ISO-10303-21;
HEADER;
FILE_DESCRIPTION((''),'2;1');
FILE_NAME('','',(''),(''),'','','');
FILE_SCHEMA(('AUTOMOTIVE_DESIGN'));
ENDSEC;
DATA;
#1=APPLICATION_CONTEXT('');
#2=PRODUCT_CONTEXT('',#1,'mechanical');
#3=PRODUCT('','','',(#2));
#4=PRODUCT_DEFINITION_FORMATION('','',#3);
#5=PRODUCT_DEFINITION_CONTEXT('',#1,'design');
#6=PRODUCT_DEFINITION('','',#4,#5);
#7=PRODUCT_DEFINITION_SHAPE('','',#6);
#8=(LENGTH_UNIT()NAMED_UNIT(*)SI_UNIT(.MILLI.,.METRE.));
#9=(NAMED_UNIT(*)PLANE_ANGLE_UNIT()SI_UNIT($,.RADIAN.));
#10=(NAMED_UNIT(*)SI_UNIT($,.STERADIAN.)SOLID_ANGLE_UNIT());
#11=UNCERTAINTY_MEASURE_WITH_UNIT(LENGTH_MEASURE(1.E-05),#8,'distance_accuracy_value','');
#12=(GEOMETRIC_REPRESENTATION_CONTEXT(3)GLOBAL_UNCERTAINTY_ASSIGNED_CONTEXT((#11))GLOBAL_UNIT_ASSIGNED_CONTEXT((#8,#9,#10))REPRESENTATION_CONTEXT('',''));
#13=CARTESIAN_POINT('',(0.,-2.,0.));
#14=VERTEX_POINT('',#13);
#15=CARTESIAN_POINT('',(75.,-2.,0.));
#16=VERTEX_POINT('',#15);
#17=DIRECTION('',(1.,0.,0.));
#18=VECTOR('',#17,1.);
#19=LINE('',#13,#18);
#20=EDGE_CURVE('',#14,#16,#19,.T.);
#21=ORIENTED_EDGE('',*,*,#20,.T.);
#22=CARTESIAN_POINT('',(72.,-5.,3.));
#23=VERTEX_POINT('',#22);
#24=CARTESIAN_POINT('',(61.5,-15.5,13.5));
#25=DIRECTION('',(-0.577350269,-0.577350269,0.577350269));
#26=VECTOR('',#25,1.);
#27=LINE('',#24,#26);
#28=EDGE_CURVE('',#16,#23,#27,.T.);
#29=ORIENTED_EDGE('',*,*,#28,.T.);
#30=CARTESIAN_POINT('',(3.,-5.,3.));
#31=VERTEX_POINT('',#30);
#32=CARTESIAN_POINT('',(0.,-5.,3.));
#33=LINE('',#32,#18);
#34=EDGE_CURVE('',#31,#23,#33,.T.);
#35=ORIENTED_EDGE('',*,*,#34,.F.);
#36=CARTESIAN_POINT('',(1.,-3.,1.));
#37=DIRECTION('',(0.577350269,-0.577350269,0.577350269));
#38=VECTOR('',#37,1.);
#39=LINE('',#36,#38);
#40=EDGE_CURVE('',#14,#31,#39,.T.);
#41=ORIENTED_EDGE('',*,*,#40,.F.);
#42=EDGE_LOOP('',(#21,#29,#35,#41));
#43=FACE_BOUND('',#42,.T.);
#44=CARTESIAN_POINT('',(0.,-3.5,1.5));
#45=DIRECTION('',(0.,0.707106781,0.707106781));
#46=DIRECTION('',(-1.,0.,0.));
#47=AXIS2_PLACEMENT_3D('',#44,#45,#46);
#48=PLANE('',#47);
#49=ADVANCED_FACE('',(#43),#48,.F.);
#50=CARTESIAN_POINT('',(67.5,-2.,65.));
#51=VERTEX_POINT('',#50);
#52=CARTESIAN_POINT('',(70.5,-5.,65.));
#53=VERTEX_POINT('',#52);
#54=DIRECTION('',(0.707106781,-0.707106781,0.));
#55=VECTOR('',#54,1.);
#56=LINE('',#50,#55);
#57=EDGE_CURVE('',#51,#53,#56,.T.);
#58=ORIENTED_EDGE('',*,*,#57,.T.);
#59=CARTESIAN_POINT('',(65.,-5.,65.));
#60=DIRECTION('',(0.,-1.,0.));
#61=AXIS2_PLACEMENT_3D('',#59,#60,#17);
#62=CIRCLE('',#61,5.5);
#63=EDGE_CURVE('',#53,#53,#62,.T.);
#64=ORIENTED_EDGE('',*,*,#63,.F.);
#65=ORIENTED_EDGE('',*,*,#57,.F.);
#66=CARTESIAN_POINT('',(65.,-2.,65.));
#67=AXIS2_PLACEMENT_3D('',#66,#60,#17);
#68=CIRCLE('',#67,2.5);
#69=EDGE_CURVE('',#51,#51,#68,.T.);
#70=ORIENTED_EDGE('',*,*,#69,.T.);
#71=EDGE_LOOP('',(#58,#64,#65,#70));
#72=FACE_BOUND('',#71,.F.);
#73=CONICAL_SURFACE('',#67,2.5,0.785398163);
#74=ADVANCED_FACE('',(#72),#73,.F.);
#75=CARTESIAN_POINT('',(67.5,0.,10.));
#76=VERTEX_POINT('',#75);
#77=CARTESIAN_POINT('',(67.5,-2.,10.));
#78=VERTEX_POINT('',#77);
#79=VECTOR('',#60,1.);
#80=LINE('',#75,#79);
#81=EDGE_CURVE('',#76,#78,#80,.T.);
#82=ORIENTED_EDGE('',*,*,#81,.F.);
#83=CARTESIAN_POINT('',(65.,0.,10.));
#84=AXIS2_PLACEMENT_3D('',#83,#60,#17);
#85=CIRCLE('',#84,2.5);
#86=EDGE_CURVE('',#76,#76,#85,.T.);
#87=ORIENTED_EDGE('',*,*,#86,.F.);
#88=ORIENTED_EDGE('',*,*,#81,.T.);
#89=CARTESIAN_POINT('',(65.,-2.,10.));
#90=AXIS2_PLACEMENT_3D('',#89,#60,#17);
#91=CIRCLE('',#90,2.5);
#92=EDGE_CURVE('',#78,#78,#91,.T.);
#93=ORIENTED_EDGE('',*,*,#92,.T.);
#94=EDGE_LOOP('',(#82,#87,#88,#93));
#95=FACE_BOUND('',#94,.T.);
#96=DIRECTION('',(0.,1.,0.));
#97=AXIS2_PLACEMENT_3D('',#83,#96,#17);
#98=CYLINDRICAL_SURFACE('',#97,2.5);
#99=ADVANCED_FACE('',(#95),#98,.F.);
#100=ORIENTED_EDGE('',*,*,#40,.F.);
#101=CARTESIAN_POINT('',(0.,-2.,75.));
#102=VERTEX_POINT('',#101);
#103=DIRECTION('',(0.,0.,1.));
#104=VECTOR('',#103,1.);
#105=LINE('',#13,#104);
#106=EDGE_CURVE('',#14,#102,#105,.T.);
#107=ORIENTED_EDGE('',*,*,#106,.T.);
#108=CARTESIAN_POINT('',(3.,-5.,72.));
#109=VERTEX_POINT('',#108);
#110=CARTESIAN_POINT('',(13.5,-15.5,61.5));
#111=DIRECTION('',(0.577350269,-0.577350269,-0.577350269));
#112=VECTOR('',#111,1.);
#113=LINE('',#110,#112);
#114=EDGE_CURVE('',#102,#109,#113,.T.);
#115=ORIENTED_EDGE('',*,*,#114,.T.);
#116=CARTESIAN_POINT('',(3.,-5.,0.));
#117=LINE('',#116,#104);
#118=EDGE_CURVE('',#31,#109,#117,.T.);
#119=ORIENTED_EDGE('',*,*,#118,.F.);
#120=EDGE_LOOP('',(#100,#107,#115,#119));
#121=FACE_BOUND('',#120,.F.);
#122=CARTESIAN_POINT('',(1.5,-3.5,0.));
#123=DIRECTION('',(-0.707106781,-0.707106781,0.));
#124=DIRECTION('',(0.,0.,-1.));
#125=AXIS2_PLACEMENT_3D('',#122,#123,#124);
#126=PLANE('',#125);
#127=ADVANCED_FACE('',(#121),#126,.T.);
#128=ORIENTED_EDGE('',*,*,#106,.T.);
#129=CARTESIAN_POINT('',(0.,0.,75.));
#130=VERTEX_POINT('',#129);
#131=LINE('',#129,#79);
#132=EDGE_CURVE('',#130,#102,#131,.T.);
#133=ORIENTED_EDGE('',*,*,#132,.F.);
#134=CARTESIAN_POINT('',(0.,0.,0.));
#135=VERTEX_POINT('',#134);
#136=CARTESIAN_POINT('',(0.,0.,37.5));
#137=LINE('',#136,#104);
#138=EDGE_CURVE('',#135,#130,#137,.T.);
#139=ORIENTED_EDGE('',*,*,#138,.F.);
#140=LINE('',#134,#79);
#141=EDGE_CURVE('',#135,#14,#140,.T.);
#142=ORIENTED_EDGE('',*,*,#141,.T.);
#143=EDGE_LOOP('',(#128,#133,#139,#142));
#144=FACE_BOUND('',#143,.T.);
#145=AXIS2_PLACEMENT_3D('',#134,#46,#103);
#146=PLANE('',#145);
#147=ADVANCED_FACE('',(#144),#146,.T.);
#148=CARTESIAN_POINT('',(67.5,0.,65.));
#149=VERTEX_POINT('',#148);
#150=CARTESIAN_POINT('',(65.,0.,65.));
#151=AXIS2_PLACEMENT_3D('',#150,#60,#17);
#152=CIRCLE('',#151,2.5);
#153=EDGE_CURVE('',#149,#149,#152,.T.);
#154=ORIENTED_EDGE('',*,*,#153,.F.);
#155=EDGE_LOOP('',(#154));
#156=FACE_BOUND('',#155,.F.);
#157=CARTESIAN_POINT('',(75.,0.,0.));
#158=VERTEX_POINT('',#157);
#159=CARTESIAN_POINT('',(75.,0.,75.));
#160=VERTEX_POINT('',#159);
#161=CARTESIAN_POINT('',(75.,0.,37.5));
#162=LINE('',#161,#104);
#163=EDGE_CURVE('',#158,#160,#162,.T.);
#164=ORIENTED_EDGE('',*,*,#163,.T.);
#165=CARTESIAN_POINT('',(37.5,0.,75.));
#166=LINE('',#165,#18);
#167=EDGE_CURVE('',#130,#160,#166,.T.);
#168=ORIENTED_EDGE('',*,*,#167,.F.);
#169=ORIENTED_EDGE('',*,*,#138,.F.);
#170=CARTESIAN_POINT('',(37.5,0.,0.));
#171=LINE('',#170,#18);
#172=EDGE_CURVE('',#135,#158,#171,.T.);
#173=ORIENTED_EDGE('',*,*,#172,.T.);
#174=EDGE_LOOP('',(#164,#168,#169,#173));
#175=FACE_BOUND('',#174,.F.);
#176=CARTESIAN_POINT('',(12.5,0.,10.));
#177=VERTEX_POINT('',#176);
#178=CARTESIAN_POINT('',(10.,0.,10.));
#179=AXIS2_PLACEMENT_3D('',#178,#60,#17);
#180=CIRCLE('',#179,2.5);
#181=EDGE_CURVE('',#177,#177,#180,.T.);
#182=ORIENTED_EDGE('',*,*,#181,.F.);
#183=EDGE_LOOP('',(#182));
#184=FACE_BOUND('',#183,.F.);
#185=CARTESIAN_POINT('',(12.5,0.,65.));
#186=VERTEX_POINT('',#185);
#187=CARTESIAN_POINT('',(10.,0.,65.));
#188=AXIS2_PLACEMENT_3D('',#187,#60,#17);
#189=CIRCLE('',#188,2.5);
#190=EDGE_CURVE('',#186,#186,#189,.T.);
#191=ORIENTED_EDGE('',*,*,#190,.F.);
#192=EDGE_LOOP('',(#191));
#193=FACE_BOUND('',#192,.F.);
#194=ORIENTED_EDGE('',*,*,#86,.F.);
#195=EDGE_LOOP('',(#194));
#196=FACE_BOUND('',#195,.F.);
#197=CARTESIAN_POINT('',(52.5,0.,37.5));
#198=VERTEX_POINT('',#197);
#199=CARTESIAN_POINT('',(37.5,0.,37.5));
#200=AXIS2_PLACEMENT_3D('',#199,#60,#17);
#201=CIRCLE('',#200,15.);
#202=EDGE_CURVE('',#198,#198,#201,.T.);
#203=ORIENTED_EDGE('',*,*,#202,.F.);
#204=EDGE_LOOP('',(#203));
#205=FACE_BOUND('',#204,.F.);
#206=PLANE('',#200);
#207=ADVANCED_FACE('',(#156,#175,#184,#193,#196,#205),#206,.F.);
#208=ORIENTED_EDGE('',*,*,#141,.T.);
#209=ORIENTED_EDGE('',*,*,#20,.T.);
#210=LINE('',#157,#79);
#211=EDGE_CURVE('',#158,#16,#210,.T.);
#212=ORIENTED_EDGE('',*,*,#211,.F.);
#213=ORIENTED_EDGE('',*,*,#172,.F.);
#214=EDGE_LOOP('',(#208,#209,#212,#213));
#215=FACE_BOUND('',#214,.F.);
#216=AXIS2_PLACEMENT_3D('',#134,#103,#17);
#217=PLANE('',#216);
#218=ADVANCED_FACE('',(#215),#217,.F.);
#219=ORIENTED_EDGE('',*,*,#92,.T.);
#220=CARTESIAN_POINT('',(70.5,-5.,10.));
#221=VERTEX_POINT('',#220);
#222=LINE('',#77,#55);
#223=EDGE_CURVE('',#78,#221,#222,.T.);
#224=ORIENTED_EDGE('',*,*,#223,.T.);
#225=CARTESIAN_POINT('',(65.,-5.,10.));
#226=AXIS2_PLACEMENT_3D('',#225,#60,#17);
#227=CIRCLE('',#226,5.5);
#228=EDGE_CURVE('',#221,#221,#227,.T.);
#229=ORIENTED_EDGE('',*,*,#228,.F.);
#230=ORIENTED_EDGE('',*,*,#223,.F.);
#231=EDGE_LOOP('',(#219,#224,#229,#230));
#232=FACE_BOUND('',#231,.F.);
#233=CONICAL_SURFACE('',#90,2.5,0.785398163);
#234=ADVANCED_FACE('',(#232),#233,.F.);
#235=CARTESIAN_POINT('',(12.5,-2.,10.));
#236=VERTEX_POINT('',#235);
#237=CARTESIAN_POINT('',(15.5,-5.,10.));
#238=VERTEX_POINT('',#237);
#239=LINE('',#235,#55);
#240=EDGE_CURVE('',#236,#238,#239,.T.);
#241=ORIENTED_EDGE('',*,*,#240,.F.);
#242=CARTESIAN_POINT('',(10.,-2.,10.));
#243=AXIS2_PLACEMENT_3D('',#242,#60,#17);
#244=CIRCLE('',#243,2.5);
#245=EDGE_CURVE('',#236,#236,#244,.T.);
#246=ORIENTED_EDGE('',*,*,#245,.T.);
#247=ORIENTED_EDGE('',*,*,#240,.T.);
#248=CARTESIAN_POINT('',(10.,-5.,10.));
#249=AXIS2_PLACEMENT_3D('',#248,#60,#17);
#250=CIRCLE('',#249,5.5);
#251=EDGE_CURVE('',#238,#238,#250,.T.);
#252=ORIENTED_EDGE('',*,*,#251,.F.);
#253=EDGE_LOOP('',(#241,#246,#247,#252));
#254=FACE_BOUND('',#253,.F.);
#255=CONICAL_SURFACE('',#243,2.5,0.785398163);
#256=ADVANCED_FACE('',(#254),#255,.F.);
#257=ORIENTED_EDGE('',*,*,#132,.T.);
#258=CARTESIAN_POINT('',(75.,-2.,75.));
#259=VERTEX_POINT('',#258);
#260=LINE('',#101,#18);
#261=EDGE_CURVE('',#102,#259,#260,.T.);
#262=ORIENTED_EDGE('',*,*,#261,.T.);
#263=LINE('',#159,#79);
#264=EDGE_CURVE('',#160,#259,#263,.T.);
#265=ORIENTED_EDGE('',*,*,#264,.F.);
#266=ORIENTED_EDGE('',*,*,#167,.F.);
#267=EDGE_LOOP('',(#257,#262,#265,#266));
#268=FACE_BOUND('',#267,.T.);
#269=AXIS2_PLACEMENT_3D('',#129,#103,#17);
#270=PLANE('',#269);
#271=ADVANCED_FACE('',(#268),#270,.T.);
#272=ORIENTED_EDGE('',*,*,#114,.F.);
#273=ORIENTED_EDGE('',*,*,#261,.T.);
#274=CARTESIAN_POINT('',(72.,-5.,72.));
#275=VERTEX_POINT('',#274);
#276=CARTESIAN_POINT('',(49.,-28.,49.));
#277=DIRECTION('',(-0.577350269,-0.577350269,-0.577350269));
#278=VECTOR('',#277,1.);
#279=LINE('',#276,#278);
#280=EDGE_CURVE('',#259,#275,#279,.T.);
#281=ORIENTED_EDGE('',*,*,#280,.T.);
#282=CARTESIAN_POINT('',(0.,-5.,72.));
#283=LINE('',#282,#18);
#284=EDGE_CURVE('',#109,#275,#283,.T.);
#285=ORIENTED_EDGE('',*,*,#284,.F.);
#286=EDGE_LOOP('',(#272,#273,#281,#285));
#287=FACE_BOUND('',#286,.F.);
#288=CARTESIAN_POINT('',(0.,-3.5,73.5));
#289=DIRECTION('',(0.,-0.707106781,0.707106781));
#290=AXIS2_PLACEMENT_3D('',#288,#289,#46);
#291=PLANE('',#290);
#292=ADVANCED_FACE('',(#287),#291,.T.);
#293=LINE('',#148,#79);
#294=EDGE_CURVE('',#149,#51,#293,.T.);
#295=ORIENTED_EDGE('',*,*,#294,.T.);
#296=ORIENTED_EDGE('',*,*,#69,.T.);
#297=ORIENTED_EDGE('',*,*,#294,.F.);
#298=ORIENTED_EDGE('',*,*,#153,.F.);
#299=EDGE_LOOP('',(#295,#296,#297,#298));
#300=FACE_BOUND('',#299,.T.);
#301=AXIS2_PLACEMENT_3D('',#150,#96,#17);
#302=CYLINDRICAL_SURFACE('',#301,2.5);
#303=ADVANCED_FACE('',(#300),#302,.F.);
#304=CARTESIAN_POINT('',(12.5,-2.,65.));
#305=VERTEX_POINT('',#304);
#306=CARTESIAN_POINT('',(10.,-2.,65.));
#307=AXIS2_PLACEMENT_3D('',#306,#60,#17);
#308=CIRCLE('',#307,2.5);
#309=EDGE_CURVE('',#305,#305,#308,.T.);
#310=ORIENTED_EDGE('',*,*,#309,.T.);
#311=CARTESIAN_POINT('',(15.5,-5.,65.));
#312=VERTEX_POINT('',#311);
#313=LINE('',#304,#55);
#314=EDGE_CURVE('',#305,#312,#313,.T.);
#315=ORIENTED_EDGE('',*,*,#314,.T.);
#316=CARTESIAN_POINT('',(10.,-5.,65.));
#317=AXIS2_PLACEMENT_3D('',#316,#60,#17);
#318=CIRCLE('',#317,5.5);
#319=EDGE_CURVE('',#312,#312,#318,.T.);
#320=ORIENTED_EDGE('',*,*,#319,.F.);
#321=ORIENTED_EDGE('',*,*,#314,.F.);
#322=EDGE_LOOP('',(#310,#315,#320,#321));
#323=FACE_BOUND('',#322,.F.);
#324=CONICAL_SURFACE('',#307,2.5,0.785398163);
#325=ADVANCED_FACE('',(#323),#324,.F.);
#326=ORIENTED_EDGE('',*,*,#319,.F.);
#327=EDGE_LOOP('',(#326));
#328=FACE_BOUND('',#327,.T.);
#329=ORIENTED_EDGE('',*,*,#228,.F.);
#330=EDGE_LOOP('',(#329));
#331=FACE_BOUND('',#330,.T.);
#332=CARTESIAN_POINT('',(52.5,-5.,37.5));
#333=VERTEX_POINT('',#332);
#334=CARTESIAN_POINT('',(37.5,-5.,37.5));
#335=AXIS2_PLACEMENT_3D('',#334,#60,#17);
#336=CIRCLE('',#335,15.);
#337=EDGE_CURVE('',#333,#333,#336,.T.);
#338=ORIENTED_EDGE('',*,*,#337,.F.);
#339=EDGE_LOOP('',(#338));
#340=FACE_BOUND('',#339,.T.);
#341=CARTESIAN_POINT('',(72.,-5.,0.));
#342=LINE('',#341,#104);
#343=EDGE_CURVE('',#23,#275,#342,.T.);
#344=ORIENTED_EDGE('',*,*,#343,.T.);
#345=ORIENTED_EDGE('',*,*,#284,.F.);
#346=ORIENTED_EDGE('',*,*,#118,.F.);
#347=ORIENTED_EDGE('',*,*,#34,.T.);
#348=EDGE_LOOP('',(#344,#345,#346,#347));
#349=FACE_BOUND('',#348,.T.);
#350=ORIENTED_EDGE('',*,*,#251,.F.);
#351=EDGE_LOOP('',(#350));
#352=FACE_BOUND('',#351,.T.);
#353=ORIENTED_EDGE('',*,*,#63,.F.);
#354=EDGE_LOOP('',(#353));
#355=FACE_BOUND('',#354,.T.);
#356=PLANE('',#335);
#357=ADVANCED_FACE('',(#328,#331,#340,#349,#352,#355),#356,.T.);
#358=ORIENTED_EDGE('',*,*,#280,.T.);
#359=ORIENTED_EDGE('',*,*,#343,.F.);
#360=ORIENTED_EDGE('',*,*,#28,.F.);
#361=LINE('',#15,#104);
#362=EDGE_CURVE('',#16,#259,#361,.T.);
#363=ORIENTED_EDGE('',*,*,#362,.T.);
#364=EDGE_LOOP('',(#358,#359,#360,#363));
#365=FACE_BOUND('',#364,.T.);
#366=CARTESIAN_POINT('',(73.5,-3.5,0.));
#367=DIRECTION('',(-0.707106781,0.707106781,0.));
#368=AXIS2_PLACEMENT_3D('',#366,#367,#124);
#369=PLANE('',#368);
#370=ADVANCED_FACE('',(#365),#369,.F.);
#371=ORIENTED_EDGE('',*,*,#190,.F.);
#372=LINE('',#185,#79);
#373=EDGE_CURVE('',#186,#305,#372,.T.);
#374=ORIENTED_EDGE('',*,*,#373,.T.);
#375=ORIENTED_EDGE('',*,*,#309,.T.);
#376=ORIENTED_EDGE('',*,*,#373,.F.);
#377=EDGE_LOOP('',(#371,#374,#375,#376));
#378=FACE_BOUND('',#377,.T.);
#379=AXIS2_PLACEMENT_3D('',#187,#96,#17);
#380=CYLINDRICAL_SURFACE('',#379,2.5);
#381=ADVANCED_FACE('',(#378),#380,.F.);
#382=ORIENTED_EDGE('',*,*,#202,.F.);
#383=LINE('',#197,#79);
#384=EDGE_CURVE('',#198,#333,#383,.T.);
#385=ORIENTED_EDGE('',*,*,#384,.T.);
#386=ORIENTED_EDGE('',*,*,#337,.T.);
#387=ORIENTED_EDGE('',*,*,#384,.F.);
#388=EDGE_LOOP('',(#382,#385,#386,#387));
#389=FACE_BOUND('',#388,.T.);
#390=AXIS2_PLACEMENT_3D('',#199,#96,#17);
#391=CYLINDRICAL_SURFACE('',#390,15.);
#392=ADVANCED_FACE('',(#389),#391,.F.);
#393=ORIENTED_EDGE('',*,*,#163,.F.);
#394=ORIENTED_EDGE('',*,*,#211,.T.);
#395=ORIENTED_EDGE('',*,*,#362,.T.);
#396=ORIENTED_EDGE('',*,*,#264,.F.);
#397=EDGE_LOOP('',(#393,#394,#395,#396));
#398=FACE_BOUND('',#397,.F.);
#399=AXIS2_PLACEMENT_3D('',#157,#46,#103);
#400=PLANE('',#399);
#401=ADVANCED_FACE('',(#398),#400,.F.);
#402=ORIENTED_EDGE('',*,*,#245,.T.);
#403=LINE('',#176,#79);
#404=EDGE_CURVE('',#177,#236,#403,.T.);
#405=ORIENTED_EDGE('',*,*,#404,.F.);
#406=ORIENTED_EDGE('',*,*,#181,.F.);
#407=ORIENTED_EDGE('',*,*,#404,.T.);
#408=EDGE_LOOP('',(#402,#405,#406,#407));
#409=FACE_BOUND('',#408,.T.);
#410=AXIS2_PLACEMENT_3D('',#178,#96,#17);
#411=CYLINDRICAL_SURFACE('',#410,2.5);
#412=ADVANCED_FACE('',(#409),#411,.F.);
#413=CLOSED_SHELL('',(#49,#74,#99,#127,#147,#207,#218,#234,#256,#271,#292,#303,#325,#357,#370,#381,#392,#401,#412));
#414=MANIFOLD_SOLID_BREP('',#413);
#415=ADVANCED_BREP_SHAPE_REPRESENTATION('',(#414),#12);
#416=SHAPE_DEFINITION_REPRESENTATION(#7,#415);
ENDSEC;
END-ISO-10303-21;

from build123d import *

# Parameters (mm, degrees)
F0_W     = 75
F0_H     = 75
F0_R     = 2.5
F0_R_2   = 15
F1_DEPTH = 5
F2_SIZE  = 3


with BuildPart() as f1:
    # F0 (on Front) → F1 (new body)
    with BuildSketch(Plane.XZ):
        with Locations((37.5, 37.5)):
            Rectangle(F0_W, F0_H)
        with Locations((10, 10)):
            Circle(F0_R, mode=Mode.SUBTRACT)
        with Locations((65, 10)):
            Circle(F0_R, mode=Mode.SUBTRACT)
        with Locations((10, 65)):
            Circle(F0_R, mode=Mode.SUBTRACT)
        with Locations((37.5, 37.5)):
            Circle(F0_R_2, mode=Mode.SUBTRACT)
        with Locations((65, 65)):
            Circle(F0_R, mode=Mode.SUBTRACT)
    extrude(amount=F1_DEPTH)

    # F2
    f2_edges = [f1.edges().sort_by_distance(p)[0] for p in [
        (75, -5, 37.5),
        (37.5, -5, 0),
        (37.5, -5, 75),
        (0, -5, 37.5),
        (7.5, -5, 65),
        (7.5, -5, 10),
        (62.5, -5, 10),
        (62.5, -5, 65),
    ]]
    chamfer(f2_edges, length=F2_SIZE)


solid = f1.part
